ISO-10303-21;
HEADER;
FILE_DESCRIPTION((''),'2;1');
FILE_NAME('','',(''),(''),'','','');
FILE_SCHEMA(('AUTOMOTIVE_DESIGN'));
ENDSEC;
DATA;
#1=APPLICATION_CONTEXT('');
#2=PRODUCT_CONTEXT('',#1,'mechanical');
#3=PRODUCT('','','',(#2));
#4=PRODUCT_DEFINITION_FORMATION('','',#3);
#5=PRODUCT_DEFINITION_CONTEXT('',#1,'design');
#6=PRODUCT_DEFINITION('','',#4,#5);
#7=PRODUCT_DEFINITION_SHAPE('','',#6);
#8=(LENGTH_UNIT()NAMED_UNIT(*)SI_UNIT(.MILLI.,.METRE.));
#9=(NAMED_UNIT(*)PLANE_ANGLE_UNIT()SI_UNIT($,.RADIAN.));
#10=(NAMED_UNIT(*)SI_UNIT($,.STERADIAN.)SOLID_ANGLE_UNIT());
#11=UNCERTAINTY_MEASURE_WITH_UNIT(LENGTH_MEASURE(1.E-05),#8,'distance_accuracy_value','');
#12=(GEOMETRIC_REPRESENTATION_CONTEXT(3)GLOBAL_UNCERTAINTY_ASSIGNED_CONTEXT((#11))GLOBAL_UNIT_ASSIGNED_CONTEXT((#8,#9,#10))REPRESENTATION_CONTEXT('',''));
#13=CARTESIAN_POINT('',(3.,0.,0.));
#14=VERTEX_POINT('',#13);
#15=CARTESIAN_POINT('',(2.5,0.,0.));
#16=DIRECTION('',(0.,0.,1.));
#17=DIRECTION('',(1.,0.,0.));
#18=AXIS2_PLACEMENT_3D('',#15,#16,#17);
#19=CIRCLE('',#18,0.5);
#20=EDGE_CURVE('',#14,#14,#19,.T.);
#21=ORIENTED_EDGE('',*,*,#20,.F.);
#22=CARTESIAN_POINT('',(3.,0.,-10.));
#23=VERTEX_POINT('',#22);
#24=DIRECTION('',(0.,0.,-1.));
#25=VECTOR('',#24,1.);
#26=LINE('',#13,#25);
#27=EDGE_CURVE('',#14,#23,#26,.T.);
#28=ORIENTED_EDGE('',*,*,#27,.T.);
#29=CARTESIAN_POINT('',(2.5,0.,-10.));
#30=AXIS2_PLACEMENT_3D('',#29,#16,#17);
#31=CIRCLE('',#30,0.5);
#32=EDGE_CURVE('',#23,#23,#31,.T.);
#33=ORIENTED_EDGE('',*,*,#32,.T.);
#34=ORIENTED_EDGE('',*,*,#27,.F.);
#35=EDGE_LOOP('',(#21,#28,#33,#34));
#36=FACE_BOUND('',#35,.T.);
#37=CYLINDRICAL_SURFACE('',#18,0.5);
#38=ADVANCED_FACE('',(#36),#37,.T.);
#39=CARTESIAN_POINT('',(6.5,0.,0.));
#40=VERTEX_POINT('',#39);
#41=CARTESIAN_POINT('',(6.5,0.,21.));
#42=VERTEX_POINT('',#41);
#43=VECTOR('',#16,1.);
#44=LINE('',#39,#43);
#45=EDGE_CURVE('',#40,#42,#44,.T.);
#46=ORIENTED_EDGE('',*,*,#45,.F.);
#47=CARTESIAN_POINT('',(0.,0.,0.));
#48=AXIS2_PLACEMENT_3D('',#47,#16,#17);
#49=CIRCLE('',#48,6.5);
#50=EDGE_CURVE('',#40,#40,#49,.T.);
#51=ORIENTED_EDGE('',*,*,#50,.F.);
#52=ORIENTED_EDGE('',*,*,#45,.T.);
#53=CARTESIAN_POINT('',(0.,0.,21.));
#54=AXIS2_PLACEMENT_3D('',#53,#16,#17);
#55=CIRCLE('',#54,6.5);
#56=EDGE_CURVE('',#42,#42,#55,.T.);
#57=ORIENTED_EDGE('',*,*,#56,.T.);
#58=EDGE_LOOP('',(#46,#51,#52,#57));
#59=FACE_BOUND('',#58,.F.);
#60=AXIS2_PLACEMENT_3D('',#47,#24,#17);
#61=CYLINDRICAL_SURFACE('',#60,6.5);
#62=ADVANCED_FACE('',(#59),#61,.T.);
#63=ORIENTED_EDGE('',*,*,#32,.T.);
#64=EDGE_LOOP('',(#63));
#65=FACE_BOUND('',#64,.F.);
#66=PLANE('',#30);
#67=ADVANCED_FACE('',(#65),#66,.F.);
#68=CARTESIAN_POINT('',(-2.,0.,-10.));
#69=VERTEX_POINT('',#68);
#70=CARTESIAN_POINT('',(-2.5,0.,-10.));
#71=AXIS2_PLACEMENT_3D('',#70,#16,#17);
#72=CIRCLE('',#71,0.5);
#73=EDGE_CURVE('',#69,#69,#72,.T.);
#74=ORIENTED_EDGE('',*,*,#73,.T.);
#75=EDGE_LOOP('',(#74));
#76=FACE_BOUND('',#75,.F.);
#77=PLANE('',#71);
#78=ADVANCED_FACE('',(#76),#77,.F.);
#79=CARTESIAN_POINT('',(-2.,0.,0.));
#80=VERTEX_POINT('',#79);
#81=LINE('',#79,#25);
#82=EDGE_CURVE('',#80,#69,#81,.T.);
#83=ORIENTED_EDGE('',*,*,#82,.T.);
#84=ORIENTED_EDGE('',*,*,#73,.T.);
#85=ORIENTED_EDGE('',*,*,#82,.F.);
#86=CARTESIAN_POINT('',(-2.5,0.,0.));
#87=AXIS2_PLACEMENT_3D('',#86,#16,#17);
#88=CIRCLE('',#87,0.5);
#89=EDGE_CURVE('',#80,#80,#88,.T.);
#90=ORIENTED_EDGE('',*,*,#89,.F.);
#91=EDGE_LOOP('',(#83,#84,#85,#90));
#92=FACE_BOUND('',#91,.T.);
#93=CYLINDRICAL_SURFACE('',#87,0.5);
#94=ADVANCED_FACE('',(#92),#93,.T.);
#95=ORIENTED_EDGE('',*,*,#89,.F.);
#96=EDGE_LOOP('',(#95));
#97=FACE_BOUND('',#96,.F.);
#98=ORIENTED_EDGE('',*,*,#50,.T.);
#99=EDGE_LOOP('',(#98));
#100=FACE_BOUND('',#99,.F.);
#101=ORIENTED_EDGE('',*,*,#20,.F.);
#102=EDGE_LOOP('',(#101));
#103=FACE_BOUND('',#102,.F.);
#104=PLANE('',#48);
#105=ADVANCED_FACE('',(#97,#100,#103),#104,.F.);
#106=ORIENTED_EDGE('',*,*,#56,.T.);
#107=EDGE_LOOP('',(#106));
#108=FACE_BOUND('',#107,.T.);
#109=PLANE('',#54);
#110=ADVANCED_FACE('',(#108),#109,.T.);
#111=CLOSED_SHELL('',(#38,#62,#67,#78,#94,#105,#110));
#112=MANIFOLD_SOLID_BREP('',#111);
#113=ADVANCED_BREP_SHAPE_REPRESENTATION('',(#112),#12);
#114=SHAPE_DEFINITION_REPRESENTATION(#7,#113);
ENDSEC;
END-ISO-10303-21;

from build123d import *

# Parameters (mm, degrees)
F0_R     = 6.5
F1_DEPTH = 21
F2_R     = 0.5
F3_DEPTH = 10


with BuildPart() as f1:
    # F0 (on Top) → F1 (new body)
    with BuildSketch(Plane.XY):
        Circle(F0_R)
    extrude(amount=F1_DEPTH)

    # F2 (on Top) → F3 (join)
    with BuildSketch(Plane.XY):
        with Locations((-2.5, 0)):
            Circle(F2_R)
        with Locations((2.5, 0)):
            Circle(F2_R)
    extrude(amount=-F3_DEPTH)


solid = f1.part
